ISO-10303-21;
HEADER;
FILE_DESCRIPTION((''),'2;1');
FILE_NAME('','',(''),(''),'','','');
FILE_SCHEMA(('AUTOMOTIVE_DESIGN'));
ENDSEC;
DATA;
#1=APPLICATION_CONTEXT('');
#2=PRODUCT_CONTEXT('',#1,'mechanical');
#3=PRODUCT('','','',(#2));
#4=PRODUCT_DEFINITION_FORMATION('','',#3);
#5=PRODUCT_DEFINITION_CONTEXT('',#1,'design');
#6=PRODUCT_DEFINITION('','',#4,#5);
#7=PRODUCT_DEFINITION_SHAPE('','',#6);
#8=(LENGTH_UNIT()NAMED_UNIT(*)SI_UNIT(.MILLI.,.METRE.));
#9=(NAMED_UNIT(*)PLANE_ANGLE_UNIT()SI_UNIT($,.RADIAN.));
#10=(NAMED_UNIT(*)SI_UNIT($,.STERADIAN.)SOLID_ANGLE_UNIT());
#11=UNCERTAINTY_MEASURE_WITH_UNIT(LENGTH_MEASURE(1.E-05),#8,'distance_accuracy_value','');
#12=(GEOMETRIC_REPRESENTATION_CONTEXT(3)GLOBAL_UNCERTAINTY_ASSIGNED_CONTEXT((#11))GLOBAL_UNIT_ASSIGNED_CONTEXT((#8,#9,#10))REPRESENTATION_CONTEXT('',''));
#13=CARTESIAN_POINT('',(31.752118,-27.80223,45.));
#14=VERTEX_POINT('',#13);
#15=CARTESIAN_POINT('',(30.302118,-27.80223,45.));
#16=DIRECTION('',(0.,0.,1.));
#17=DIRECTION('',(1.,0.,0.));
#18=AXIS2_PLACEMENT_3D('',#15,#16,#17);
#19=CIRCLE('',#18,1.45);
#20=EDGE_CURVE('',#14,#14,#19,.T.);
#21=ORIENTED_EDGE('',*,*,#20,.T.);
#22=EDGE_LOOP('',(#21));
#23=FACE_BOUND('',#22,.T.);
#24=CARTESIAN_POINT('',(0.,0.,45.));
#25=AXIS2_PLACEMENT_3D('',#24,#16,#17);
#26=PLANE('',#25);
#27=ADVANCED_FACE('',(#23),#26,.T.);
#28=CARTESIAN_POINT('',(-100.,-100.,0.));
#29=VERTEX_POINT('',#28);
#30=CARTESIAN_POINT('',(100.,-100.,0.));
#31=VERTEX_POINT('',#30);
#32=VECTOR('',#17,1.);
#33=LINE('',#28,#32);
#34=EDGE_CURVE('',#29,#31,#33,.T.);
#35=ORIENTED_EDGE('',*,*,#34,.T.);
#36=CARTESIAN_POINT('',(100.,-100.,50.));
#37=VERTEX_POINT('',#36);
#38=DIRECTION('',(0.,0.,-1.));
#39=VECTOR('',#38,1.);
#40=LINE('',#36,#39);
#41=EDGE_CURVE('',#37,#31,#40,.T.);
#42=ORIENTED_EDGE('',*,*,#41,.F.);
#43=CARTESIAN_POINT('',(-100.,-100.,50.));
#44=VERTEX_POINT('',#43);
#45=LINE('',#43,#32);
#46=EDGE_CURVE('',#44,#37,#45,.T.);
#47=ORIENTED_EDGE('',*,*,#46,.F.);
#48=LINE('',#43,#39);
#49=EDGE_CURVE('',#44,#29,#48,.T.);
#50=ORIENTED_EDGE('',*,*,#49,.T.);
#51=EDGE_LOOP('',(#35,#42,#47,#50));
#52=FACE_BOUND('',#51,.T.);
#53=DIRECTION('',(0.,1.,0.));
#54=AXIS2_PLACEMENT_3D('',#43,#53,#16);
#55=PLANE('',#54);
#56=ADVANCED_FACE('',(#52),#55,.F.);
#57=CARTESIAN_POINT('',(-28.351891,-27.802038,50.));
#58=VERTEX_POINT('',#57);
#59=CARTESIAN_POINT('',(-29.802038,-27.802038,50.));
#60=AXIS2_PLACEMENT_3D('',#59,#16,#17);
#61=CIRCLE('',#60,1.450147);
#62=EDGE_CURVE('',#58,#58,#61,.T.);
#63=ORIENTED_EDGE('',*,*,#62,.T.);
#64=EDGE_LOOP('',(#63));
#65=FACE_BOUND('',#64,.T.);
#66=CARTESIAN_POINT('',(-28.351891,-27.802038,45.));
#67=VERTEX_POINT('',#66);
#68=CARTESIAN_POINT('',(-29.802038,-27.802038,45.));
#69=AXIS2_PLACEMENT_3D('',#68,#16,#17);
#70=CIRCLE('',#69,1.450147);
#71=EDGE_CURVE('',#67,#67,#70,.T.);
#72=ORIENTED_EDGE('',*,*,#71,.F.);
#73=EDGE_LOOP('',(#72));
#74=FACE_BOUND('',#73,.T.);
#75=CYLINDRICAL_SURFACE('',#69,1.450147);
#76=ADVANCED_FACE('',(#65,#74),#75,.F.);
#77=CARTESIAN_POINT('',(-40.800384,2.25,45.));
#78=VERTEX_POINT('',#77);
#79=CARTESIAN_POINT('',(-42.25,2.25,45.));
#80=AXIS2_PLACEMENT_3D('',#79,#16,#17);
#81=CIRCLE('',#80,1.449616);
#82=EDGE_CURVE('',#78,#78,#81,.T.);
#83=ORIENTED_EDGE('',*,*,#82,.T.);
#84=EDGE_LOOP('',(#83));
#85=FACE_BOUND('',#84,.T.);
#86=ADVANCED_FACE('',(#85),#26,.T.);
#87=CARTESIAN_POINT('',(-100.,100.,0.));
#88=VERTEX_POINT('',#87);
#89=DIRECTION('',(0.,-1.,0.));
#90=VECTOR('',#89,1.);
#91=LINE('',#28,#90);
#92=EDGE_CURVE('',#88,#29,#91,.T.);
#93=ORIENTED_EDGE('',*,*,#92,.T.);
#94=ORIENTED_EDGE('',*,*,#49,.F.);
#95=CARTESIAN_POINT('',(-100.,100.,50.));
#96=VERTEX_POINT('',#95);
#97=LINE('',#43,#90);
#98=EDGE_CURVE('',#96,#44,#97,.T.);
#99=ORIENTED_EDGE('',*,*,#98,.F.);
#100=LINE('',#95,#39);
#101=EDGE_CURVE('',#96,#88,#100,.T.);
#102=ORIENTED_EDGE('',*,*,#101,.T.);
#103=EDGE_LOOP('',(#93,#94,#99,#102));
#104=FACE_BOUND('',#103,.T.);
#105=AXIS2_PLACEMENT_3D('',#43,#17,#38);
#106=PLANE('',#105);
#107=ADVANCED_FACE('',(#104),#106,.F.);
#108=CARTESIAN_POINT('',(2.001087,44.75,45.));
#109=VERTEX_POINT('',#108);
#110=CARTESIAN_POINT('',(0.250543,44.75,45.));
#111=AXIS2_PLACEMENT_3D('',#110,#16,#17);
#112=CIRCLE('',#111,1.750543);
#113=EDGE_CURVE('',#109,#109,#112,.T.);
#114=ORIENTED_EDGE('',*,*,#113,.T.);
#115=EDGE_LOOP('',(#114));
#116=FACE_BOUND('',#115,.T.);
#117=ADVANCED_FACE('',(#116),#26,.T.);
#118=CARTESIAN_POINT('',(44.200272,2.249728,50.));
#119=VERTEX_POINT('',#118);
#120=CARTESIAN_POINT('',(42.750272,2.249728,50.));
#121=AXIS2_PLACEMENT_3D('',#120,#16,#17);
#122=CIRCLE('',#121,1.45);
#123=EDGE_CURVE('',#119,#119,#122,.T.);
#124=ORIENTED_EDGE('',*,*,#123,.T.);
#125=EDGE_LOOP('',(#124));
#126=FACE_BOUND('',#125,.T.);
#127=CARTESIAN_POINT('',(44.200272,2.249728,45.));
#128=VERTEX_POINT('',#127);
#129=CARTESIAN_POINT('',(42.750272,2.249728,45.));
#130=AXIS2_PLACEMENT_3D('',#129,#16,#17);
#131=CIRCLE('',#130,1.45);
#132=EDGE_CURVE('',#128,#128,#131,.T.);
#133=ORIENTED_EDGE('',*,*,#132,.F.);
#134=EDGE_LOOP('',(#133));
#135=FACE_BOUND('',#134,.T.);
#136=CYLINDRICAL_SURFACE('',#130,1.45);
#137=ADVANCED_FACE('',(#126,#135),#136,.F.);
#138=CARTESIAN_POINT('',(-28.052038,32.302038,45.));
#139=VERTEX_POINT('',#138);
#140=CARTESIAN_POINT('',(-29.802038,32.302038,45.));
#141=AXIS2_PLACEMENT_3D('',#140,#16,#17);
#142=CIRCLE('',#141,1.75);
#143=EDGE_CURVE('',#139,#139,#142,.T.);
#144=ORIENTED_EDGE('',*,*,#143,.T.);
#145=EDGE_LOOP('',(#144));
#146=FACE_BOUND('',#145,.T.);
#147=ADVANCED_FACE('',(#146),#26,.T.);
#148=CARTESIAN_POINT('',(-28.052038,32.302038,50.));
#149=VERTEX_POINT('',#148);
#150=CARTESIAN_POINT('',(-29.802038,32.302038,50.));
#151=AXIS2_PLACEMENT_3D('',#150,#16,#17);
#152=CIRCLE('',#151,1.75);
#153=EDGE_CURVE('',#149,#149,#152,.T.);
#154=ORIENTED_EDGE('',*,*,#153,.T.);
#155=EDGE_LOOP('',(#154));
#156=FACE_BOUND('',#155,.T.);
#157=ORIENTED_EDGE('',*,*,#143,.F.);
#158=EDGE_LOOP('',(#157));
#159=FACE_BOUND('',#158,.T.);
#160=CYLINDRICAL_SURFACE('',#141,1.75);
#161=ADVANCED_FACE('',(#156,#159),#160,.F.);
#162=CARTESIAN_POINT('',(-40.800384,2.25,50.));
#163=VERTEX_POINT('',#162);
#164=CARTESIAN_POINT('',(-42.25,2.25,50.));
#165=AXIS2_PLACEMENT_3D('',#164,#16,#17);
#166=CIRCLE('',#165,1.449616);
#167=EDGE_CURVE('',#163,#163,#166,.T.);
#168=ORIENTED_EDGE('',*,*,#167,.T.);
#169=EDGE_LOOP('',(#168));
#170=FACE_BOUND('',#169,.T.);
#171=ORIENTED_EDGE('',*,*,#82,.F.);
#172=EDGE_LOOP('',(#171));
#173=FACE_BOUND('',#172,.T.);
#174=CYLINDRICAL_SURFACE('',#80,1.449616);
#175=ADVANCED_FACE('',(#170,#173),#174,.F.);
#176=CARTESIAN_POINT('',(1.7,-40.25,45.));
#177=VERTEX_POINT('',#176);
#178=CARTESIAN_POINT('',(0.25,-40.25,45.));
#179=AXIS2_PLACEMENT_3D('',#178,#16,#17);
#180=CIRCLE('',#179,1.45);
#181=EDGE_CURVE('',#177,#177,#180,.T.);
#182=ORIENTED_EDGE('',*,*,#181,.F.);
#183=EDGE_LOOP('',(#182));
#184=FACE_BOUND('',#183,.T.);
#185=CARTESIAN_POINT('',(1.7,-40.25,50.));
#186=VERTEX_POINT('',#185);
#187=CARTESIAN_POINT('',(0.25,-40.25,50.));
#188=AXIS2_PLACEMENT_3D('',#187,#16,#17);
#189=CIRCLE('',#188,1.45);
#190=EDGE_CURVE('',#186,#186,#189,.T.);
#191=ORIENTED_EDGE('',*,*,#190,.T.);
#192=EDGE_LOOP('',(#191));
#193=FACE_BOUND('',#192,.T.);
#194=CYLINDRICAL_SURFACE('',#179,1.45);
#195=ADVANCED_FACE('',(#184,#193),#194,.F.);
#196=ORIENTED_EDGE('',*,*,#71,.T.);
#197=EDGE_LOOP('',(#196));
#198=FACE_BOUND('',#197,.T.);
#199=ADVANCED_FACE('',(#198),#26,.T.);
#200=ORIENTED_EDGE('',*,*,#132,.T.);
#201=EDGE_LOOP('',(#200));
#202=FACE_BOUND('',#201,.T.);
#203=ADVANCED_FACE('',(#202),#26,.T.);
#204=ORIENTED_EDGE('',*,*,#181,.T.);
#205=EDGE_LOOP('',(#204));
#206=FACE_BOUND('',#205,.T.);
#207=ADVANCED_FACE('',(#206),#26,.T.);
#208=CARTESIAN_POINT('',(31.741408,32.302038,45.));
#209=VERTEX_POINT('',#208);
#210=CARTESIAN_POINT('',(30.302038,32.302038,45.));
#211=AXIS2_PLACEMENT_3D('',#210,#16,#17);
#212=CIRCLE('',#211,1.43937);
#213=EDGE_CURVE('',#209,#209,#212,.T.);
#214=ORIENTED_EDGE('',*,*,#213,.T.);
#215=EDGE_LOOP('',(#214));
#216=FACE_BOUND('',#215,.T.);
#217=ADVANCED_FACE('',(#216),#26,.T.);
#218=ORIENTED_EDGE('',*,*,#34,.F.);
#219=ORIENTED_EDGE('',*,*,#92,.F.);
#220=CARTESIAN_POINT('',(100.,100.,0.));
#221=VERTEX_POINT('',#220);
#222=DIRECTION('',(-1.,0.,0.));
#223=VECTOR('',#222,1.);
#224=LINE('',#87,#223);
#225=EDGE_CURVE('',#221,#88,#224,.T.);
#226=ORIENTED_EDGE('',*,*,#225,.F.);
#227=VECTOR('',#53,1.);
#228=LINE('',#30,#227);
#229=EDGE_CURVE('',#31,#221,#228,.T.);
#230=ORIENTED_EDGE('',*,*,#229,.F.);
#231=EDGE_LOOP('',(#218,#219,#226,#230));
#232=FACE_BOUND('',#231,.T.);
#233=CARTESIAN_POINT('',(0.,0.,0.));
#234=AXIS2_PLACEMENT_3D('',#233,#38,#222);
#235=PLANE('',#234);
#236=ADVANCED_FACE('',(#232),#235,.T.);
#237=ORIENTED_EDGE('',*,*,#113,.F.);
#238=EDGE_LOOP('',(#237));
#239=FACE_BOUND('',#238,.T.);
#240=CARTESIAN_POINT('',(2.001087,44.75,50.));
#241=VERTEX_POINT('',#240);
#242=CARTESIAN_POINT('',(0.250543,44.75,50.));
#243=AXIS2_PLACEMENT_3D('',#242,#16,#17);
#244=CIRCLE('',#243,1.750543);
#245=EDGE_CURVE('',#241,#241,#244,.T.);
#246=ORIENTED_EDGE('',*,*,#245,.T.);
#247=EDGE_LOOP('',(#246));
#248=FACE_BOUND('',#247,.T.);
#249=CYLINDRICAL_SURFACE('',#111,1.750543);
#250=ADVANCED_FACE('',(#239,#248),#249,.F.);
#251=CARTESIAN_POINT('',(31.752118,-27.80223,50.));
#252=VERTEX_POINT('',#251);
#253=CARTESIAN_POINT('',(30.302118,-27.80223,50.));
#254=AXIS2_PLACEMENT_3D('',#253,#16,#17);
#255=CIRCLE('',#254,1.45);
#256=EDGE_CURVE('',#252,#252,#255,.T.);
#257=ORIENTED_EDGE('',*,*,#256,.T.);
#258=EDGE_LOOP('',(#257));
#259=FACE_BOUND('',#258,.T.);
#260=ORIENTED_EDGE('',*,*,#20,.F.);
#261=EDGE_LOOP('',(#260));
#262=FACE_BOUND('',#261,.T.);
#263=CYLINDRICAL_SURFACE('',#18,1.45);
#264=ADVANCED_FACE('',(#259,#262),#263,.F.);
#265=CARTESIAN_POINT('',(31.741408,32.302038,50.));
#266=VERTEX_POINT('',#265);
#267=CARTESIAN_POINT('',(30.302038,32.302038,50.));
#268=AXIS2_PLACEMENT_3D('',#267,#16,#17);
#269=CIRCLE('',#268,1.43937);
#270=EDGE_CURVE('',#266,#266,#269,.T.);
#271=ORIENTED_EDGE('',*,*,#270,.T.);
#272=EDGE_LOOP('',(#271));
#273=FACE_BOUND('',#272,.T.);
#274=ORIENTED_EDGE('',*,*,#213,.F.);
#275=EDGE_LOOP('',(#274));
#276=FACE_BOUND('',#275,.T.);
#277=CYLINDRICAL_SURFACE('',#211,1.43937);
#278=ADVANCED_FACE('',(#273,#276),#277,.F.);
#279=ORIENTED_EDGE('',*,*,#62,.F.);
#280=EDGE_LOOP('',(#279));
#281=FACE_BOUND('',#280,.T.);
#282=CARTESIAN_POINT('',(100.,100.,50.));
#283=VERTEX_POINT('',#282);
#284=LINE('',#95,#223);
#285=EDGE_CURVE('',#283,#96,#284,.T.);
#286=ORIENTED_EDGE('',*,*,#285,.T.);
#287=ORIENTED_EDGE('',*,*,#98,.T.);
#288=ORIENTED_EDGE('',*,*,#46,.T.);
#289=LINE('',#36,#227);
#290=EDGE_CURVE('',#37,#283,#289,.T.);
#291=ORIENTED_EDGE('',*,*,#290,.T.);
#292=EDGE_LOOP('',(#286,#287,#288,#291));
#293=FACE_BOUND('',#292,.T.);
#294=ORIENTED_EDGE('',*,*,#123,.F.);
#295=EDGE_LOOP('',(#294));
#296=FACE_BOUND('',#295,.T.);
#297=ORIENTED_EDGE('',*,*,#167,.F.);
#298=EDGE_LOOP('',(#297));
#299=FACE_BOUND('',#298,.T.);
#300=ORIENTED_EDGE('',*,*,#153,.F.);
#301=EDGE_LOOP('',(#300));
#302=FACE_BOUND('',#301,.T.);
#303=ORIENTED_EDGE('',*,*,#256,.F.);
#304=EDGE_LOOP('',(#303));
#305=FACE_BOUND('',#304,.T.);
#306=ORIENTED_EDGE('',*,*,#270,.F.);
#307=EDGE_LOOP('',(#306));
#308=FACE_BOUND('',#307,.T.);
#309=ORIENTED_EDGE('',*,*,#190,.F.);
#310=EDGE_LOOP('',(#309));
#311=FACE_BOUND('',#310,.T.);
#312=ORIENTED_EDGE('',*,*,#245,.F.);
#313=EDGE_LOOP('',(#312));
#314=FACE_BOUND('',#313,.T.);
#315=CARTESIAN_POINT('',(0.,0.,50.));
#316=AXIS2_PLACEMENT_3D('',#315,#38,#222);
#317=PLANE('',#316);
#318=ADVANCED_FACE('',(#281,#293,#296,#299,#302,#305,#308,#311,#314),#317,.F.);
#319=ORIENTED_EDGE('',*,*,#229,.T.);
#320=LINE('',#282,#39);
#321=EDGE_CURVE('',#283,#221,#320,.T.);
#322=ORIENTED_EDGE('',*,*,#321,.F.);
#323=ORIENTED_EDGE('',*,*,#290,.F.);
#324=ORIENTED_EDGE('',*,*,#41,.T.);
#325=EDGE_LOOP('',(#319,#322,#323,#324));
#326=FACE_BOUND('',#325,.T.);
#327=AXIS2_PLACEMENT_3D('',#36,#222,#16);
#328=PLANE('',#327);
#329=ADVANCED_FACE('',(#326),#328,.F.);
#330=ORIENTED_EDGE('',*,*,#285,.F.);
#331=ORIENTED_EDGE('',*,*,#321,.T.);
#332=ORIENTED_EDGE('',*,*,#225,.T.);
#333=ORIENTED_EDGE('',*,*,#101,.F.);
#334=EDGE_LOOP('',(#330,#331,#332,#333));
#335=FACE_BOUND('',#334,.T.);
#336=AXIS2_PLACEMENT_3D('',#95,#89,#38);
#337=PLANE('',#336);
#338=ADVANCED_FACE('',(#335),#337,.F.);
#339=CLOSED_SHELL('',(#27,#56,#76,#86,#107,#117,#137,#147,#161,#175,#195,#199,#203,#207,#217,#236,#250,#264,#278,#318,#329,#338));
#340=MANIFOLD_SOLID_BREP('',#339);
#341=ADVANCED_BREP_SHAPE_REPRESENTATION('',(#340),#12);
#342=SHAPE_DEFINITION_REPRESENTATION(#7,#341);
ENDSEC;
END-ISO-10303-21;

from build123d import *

# Parameters (mm, degrees)
SKETCH_1_W          = 200
SKETCH_1_H          = 200
EXTRUDE_1_DEPTH     = 50
SKETCH_7_R          = 1.45
SKETCH_7_R_2        = 1.450147074
SKETCH_7_R_3        = 1.449615697
SKETCH_7_R_4        = 1.75
SKETCH_7_R_5        = 1.439370264
SKETCH_7_R_6        = 1.750543486
CUT_EXTRUDE_2_DEPTH = 5


with BuildPart() as part:
    # 草图1 → 凸台-拉伸1 (new body)
    with BuildSketch(Plane.XY):
        Rectangle(SKETCH_1_W, SKETCH_1_H)
    extrude(amount=EXTRUDE_1_DEPTH)

    # 草图7 → 切除-拉伸2 (cut)
    with BuildSketch(Plane.XY.offset(50)):
        with Locations((0.25, -40.25)):
            Circle(SKETCH_7_R)
        with Locations((-29.8020382, -27.8020382)):
            Circle(SKETCH_7_R_2)
        with Locations((-42.25, 2.25)):
            Circle(SKETCH_7_R_3)
        with Locations((-29.8020382, 32.3020382)):
            Circle(SKETCH_7_R_4)
        with Locations((42.750271742, 2.249728256)):
            Circle(SKETCH_7_R)
        with Locations((30.302117792, -27.802230352)):
            Circle(SKETCH_7_R)
        with Locations((30.302038201, 32.3020382)):
            Circle(SKETCH_7_R_5)
        with Locations((0.250543486, 44.749999998)):
            Circle(SKETCH_7_R_6)
    extrude(amount=-CUT_EXTRUDE_2_DEPTH, mode=Mode.SUBTRACT)


solid = part.part
